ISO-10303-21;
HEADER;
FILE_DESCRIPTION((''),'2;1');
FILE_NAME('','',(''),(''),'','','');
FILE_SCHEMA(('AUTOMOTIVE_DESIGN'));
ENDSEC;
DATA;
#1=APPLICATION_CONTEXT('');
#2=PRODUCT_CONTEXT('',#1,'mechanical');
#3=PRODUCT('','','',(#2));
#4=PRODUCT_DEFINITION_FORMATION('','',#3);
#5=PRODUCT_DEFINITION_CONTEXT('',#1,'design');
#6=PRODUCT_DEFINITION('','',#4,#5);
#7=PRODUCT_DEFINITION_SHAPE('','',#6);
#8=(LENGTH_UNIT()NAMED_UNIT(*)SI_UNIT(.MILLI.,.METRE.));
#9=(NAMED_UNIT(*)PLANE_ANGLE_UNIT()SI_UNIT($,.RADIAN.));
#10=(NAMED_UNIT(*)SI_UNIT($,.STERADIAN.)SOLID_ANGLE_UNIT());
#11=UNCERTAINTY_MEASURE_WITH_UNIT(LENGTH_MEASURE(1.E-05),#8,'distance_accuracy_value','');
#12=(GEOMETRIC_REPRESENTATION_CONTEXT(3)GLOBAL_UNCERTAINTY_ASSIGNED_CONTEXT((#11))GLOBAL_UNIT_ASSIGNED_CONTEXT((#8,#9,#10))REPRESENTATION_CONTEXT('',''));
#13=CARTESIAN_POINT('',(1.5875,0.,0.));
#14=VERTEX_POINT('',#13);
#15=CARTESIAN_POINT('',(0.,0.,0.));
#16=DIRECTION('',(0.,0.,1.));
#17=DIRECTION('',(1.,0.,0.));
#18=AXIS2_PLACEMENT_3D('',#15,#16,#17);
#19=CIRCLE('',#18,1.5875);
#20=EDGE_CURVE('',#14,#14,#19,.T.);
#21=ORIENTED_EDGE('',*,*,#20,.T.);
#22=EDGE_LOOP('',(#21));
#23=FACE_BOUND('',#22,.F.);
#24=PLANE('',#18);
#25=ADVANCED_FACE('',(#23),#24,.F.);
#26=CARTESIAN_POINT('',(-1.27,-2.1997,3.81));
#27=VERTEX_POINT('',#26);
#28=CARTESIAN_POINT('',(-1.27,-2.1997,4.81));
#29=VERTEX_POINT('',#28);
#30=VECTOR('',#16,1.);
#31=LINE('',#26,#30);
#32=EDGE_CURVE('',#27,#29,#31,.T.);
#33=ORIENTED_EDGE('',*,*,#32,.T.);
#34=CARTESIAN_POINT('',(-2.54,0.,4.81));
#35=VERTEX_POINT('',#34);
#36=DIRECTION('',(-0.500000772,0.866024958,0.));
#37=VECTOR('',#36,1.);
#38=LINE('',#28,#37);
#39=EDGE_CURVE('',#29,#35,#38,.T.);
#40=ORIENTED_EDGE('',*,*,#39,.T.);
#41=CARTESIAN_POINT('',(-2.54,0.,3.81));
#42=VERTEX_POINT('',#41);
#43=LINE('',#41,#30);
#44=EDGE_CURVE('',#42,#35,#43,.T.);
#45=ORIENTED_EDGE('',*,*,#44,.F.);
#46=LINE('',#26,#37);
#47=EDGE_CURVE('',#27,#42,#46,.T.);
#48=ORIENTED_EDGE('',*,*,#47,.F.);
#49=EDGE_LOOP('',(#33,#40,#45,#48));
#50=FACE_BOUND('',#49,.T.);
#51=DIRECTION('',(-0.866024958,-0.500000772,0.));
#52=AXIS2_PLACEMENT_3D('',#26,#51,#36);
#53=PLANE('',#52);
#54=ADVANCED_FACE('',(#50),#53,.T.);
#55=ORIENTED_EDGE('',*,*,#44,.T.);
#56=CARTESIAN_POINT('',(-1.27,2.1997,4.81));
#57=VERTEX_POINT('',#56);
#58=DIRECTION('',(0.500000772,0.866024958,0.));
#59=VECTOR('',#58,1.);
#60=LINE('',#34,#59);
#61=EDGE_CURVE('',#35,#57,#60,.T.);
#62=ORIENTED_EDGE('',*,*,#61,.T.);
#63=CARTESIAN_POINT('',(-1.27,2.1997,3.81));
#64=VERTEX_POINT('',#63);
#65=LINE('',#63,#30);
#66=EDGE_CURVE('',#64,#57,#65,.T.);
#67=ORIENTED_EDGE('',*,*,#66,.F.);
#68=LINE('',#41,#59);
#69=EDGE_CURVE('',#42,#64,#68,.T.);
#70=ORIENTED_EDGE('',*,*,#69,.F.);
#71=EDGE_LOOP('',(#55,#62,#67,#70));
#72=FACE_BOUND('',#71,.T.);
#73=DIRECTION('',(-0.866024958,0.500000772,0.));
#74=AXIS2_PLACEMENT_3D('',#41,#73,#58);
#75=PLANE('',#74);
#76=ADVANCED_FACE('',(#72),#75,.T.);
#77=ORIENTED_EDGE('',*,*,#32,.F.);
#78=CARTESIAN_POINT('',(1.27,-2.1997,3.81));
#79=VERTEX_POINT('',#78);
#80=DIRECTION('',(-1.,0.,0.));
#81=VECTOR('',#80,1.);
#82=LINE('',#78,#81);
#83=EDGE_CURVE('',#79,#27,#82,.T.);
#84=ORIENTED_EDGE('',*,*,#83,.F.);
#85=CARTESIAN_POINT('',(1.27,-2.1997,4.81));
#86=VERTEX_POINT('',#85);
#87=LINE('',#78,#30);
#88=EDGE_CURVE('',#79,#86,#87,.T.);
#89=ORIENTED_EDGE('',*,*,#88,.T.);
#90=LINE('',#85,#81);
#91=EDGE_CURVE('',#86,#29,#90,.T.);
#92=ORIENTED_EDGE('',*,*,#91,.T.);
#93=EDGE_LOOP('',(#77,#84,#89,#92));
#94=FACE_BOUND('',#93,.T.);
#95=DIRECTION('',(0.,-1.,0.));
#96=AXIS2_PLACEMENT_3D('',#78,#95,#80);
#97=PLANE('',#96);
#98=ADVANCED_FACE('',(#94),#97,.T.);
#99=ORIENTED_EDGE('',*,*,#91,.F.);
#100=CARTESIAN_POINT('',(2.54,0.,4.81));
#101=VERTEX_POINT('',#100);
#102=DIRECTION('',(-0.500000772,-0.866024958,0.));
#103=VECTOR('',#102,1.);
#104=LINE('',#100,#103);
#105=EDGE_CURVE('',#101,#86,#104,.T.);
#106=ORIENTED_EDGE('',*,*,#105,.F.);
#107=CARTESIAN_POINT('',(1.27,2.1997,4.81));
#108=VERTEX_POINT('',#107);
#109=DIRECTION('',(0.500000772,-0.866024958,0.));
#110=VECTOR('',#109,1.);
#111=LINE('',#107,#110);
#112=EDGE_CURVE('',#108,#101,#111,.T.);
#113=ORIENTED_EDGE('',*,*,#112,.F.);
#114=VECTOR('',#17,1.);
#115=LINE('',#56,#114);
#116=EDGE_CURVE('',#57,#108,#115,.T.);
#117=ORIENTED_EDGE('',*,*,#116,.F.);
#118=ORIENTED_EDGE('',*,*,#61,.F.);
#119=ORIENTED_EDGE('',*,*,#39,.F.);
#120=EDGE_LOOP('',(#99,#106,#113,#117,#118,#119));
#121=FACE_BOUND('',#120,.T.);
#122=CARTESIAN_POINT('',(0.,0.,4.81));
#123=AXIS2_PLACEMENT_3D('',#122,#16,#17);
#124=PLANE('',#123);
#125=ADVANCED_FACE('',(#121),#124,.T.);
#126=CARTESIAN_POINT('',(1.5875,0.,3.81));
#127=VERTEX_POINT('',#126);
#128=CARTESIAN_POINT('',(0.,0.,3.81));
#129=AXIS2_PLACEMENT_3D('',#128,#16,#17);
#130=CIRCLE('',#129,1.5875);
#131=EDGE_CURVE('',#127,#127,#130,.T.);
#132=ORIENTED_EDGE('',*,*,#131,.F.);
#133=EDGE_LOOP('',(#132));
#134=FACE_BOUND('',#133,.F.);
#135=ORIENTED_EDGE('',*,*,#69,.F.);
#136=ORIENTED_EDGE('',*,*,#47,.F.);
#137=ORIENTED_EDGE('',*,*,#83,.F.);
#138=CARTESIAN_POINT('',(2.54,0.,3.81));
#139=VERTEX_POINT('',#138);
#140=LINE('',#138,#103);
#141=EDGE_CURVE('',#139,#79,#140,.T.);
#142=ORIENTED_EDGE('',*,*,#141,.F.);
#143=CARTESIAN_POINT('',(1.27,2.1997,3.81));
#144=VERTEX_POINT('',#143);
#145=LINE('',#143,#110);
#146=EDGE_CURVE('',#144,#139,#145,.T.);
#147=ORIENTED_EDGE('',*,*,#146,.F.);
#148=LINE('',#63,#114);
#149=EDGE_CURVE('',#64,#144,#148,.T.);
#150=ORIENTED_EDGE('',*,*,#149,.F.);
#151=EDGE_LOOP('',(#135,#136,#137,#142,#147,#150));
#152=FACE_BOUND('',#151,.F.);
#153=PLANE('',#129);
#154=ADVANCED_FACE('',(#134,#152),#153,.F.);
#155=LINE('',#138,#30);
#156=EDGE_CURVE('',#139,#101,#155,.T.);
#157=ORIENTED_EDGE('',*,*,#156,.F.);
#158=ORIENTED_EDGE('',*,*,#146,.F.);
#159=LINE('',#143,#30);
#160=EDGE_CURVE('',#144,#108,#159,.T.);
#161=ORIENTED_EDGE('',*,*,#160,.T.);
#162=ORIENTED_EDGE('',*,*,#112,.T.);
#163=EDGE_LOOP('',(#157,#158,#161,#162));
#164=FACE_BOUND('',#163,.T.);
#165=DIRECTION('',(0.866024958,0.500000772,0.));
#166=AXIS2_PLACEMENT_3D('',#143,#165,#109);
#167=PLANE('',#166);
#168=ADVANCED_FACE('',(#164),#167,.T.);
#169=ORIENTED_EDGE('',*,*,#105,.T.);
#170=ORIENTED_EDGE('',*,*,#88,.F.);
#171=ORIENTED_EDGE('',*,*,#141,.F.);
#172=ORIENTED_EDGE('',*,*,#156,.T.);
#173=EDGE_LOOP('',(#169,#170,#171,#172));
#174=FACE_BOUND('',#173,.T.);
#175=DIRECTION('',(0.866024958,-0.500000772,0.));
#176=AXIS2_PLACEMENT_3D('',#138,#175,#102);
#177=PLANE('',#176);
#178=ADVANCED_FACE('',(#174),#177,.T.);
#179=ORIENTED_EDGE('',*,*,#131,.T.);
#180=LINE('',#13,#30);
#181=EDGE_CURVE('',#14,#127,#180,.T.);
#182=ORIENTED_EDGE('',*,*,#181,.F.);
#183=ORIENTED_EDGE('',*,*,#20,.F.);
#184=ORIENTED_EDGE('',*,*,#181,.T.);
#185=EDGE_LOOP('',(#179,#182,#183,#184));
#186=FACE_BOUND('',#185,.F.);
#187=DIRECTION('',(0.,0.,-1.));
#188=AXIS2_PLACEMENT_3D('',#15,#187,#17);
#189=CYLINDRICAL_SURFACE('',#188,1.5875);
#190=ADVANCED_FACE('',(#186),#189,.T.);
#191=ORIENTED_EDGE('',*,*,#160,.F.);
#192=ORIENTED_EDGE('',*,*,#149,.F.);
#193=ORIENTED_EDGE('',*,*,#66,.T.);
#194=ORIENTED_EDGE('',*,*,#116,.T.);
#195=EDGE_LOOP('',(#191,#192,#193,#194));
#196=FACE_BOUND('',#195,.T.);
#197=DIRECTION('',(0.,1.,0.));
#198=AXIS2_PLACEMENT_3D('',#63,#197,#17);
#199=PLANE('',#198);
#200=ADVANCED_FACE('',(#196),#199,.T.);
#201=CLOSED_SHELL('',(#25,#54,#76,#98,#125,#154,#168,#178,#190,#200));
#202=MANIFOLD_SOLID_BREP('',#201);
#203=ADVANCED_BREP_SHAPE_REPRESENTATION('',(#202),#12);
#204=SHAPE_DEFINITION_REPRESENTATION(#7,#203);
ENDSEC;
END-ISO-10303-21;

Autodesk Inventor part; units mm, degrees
ref_plane "YZ Plane" through (0, 0, 0) normal (1, 0, 0) x (0, 1, 0)
ref_plane "XZ Plane" through (0, 0, 0) normal (0, 1, 0) x (-1, 0, 0)
ref_plane "XY Plane" through (0, 0, 0) normal (0, 0, 1) x (1, 0, 0)
sketch "Sketch1" plane through (0, 0, 0) normal (0, 0, 1) x (1, 0, 0)
  circle A0 centre (0, 0) radius 1.5875
  dimension "d0" = 3.175
extrude "Extrusion1" add sketch "Sketch1" along normal blind 3.81
sketch "Sketch2" plane through (0, 0, 3.81) normal (0, 0, 1) x (1, 0, 0)
  line L0 (2.54, 0) -> (1.27, -2.1997)
  line L1 (1.27, -2.1997) -> (-1.27, -2.1997)
  line L2 (-1.27, -2.1997) -> (-2.54, 0)
  line L3 (-2.54, 0) -> (-1.27, 2.1997)
  line L4 (-1.27, 2.1997) -> (1.27, 2.1997)
  line L5 (1.27, 2.1997) -> (2.54, 0)
  point P0 (0, 0)
  point P1 (0, 0)
  dimension "d5" = 5.08
extrude "Extrusion2" add sketch "Sketch2" along normal blind 1
thread "Thread1" size "5-40 UNC" class "2A" standard "ANSI Unified Screw Threads" full length
properties part number "Pedal Bar Bolt"
